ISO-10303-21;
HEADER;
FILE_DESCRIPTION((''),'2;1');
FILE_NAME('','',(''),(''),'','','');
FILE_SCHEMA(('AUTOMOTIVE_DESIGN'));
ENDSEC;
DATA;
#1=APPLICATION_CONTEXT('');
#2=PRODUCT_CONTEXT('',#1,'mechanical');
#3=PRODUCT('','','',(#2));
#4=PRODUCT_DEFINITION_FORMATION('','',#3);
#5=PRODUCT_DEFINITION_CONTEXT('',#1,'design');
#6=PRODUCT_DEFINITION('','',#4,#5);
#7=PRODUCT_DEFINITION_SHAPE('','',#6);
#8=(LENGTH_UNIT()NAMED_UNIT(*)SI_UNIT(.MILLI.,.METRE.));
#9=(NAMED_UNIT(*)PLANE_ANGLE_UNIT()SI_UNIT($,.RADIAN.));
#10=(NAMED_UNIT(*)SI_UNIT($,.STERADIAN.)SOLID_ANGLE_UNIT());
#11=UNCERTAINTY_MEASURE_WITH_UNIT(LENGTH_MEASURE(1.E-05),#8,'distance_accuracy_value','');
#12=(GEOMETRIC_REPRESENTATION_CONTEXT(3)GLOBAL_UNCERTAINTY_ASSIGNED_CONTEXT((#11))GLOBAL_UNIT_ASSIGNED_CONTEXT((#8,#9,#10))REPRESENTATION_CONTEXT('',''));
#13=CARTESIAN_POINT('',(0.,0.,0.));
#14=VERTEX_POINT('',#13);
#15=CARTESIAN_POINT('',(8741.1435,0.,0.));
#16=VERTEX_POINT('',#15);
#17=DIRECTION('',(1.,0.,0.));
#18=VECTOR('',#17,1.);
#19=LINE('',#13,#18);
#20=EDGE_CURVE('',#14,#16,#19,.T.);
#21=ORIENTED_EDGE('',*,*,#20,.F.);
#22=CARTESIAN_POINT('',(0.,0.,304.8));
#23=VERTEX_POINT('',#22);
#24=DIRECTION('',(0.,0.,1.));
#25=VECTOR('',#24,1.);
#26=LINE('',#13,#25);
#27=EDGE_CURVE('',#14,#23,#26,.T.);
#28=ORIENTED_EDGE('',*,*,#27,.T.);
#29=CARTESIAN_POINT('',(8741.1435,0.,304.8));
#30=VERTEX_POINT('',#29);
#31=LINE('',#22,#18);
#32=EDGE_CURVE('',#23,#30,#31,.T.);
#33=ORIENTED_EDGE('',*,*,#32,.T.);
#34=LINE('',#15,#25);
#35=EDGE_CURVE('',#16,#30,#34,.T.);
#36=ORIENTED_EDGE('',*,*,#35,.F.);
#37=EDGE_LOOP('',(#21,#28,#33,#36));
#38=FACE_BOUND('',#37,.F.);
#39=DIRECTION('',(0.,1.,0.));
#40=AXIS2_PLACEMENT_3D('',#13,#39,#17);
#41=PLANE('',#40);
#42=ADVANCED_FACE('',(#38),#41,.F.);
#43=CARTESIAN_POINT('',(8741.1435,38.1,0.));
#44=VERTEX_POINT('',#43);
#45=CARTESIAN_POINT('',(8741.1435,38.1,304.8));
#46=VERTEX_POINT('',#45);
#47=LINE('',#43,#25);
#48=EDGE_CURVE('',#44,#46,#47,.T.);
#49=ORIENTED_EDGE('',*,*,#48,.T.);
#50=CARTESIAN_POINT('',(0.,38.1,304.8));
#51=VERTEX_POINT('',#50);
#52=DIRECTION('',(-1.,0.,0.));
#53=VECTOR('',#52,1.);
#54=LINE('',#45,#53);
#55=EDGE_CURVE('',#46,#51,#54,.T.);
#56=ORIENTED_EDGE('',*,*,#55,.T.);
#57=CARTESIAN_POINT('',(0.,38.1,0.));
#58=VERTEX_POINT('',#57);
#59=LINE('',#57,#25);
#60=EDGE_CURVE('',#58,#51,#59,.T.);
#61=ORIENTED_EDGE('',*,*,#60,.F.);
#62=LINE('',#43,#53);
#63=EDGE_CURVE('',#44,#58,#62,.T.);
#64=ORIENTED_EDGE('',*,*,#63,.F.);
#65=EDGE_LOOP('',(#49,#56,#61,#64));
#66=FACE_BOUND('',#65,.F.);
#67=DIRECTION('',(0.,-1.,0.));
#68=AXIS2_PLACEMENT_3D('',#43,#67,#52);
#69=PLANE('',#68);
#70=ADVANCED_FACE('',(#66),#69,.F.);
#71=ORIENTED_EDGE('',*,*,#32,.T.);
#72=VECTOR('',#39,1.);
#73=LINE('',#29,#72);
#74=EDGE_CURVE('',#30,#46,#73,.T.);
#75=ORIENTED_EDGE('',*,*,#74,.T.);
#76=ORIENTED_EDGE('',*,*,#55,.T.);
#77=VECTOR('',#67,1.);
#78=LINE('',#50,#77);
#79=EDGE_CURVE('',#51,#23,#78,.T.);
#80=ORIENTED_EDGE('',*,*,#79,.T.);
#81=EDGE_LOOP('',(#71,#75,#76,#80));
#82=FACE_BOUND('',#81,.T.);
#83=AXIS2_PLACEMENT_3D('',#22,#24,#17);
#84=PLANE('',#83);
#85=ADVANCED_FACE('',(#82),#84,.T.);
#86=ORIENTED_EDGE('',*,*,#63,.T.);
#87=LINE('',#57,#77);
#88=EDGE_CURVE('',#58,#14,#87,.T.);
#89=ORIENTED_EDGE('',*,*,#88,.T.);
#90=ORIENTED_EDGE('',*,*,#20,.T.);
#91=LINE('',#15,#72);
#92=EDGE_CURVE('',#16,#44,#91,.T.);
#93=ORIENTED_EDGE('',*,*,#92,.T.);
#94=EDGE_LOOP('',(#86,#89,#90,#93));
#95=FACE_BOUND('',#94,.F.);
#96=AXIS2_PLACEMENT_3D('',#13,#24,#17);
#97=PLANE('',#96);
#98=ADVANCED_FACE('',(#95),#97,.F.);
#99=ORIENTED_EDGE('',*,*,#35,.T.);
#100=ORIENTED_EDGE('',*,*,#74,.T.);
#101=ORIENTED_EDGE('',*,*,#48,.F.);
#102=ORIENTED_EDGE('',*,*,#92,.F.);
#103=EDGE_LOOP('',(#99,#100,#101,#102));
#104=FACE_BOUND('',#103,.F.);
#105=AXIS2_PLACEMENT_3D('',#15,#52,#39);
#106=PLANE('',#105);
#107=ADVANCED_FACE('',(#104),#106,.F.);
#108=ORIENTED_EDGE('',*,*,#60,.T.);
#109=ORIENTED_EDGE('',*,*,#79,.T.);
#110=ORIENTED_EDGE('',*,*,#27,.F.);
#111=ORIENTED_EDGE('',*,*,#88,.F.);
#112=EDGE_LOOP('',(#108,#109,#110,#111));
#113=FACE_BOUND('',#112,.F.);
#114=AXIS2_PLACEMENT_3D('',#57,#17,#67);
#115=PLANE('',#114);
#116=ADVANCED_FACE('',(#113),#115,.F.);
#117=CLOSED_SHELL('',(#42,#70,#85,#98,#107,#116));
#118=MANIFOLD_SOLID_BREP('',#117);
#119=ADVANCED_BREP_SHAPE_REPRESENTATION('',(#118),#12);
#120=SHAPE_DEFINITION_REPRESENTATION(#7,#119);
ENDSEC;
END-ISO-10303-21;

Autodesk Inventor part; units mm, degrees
ref_plane "YZ Plane" through (0, 0, 0) normal (1, 0, 0) x (0, 1, 0)
ref_plane "XZ Plane" through (0, 0, 0) normal (0, 1, 0) x (-1, 0, 0)
ref_plane "XY Plane" through (0, 0, 0) normal (0, 0, 1) x (1, 0, 0)
sketch "Sketch1" plane through (0, 0, 0) normal (0, 0, 1) x (1, 0, 0)
  line L0 (0, 0) -> (8741.1435, 0)
  line L1 (8741.1435, 0) -> (8741.1435, 38.1)
  line L2 (8741.1435, 38.1) -> (0, 38.1)
  line L3 (0, 38.1) -> (0, 0)
  dimension "d0" = 38.1
  dimension "d1" = 8741.1435
extrude "Extrusion1" add sketch "Sketch1" along normal blind 304.8
properties part number "DiscTrajectory"
